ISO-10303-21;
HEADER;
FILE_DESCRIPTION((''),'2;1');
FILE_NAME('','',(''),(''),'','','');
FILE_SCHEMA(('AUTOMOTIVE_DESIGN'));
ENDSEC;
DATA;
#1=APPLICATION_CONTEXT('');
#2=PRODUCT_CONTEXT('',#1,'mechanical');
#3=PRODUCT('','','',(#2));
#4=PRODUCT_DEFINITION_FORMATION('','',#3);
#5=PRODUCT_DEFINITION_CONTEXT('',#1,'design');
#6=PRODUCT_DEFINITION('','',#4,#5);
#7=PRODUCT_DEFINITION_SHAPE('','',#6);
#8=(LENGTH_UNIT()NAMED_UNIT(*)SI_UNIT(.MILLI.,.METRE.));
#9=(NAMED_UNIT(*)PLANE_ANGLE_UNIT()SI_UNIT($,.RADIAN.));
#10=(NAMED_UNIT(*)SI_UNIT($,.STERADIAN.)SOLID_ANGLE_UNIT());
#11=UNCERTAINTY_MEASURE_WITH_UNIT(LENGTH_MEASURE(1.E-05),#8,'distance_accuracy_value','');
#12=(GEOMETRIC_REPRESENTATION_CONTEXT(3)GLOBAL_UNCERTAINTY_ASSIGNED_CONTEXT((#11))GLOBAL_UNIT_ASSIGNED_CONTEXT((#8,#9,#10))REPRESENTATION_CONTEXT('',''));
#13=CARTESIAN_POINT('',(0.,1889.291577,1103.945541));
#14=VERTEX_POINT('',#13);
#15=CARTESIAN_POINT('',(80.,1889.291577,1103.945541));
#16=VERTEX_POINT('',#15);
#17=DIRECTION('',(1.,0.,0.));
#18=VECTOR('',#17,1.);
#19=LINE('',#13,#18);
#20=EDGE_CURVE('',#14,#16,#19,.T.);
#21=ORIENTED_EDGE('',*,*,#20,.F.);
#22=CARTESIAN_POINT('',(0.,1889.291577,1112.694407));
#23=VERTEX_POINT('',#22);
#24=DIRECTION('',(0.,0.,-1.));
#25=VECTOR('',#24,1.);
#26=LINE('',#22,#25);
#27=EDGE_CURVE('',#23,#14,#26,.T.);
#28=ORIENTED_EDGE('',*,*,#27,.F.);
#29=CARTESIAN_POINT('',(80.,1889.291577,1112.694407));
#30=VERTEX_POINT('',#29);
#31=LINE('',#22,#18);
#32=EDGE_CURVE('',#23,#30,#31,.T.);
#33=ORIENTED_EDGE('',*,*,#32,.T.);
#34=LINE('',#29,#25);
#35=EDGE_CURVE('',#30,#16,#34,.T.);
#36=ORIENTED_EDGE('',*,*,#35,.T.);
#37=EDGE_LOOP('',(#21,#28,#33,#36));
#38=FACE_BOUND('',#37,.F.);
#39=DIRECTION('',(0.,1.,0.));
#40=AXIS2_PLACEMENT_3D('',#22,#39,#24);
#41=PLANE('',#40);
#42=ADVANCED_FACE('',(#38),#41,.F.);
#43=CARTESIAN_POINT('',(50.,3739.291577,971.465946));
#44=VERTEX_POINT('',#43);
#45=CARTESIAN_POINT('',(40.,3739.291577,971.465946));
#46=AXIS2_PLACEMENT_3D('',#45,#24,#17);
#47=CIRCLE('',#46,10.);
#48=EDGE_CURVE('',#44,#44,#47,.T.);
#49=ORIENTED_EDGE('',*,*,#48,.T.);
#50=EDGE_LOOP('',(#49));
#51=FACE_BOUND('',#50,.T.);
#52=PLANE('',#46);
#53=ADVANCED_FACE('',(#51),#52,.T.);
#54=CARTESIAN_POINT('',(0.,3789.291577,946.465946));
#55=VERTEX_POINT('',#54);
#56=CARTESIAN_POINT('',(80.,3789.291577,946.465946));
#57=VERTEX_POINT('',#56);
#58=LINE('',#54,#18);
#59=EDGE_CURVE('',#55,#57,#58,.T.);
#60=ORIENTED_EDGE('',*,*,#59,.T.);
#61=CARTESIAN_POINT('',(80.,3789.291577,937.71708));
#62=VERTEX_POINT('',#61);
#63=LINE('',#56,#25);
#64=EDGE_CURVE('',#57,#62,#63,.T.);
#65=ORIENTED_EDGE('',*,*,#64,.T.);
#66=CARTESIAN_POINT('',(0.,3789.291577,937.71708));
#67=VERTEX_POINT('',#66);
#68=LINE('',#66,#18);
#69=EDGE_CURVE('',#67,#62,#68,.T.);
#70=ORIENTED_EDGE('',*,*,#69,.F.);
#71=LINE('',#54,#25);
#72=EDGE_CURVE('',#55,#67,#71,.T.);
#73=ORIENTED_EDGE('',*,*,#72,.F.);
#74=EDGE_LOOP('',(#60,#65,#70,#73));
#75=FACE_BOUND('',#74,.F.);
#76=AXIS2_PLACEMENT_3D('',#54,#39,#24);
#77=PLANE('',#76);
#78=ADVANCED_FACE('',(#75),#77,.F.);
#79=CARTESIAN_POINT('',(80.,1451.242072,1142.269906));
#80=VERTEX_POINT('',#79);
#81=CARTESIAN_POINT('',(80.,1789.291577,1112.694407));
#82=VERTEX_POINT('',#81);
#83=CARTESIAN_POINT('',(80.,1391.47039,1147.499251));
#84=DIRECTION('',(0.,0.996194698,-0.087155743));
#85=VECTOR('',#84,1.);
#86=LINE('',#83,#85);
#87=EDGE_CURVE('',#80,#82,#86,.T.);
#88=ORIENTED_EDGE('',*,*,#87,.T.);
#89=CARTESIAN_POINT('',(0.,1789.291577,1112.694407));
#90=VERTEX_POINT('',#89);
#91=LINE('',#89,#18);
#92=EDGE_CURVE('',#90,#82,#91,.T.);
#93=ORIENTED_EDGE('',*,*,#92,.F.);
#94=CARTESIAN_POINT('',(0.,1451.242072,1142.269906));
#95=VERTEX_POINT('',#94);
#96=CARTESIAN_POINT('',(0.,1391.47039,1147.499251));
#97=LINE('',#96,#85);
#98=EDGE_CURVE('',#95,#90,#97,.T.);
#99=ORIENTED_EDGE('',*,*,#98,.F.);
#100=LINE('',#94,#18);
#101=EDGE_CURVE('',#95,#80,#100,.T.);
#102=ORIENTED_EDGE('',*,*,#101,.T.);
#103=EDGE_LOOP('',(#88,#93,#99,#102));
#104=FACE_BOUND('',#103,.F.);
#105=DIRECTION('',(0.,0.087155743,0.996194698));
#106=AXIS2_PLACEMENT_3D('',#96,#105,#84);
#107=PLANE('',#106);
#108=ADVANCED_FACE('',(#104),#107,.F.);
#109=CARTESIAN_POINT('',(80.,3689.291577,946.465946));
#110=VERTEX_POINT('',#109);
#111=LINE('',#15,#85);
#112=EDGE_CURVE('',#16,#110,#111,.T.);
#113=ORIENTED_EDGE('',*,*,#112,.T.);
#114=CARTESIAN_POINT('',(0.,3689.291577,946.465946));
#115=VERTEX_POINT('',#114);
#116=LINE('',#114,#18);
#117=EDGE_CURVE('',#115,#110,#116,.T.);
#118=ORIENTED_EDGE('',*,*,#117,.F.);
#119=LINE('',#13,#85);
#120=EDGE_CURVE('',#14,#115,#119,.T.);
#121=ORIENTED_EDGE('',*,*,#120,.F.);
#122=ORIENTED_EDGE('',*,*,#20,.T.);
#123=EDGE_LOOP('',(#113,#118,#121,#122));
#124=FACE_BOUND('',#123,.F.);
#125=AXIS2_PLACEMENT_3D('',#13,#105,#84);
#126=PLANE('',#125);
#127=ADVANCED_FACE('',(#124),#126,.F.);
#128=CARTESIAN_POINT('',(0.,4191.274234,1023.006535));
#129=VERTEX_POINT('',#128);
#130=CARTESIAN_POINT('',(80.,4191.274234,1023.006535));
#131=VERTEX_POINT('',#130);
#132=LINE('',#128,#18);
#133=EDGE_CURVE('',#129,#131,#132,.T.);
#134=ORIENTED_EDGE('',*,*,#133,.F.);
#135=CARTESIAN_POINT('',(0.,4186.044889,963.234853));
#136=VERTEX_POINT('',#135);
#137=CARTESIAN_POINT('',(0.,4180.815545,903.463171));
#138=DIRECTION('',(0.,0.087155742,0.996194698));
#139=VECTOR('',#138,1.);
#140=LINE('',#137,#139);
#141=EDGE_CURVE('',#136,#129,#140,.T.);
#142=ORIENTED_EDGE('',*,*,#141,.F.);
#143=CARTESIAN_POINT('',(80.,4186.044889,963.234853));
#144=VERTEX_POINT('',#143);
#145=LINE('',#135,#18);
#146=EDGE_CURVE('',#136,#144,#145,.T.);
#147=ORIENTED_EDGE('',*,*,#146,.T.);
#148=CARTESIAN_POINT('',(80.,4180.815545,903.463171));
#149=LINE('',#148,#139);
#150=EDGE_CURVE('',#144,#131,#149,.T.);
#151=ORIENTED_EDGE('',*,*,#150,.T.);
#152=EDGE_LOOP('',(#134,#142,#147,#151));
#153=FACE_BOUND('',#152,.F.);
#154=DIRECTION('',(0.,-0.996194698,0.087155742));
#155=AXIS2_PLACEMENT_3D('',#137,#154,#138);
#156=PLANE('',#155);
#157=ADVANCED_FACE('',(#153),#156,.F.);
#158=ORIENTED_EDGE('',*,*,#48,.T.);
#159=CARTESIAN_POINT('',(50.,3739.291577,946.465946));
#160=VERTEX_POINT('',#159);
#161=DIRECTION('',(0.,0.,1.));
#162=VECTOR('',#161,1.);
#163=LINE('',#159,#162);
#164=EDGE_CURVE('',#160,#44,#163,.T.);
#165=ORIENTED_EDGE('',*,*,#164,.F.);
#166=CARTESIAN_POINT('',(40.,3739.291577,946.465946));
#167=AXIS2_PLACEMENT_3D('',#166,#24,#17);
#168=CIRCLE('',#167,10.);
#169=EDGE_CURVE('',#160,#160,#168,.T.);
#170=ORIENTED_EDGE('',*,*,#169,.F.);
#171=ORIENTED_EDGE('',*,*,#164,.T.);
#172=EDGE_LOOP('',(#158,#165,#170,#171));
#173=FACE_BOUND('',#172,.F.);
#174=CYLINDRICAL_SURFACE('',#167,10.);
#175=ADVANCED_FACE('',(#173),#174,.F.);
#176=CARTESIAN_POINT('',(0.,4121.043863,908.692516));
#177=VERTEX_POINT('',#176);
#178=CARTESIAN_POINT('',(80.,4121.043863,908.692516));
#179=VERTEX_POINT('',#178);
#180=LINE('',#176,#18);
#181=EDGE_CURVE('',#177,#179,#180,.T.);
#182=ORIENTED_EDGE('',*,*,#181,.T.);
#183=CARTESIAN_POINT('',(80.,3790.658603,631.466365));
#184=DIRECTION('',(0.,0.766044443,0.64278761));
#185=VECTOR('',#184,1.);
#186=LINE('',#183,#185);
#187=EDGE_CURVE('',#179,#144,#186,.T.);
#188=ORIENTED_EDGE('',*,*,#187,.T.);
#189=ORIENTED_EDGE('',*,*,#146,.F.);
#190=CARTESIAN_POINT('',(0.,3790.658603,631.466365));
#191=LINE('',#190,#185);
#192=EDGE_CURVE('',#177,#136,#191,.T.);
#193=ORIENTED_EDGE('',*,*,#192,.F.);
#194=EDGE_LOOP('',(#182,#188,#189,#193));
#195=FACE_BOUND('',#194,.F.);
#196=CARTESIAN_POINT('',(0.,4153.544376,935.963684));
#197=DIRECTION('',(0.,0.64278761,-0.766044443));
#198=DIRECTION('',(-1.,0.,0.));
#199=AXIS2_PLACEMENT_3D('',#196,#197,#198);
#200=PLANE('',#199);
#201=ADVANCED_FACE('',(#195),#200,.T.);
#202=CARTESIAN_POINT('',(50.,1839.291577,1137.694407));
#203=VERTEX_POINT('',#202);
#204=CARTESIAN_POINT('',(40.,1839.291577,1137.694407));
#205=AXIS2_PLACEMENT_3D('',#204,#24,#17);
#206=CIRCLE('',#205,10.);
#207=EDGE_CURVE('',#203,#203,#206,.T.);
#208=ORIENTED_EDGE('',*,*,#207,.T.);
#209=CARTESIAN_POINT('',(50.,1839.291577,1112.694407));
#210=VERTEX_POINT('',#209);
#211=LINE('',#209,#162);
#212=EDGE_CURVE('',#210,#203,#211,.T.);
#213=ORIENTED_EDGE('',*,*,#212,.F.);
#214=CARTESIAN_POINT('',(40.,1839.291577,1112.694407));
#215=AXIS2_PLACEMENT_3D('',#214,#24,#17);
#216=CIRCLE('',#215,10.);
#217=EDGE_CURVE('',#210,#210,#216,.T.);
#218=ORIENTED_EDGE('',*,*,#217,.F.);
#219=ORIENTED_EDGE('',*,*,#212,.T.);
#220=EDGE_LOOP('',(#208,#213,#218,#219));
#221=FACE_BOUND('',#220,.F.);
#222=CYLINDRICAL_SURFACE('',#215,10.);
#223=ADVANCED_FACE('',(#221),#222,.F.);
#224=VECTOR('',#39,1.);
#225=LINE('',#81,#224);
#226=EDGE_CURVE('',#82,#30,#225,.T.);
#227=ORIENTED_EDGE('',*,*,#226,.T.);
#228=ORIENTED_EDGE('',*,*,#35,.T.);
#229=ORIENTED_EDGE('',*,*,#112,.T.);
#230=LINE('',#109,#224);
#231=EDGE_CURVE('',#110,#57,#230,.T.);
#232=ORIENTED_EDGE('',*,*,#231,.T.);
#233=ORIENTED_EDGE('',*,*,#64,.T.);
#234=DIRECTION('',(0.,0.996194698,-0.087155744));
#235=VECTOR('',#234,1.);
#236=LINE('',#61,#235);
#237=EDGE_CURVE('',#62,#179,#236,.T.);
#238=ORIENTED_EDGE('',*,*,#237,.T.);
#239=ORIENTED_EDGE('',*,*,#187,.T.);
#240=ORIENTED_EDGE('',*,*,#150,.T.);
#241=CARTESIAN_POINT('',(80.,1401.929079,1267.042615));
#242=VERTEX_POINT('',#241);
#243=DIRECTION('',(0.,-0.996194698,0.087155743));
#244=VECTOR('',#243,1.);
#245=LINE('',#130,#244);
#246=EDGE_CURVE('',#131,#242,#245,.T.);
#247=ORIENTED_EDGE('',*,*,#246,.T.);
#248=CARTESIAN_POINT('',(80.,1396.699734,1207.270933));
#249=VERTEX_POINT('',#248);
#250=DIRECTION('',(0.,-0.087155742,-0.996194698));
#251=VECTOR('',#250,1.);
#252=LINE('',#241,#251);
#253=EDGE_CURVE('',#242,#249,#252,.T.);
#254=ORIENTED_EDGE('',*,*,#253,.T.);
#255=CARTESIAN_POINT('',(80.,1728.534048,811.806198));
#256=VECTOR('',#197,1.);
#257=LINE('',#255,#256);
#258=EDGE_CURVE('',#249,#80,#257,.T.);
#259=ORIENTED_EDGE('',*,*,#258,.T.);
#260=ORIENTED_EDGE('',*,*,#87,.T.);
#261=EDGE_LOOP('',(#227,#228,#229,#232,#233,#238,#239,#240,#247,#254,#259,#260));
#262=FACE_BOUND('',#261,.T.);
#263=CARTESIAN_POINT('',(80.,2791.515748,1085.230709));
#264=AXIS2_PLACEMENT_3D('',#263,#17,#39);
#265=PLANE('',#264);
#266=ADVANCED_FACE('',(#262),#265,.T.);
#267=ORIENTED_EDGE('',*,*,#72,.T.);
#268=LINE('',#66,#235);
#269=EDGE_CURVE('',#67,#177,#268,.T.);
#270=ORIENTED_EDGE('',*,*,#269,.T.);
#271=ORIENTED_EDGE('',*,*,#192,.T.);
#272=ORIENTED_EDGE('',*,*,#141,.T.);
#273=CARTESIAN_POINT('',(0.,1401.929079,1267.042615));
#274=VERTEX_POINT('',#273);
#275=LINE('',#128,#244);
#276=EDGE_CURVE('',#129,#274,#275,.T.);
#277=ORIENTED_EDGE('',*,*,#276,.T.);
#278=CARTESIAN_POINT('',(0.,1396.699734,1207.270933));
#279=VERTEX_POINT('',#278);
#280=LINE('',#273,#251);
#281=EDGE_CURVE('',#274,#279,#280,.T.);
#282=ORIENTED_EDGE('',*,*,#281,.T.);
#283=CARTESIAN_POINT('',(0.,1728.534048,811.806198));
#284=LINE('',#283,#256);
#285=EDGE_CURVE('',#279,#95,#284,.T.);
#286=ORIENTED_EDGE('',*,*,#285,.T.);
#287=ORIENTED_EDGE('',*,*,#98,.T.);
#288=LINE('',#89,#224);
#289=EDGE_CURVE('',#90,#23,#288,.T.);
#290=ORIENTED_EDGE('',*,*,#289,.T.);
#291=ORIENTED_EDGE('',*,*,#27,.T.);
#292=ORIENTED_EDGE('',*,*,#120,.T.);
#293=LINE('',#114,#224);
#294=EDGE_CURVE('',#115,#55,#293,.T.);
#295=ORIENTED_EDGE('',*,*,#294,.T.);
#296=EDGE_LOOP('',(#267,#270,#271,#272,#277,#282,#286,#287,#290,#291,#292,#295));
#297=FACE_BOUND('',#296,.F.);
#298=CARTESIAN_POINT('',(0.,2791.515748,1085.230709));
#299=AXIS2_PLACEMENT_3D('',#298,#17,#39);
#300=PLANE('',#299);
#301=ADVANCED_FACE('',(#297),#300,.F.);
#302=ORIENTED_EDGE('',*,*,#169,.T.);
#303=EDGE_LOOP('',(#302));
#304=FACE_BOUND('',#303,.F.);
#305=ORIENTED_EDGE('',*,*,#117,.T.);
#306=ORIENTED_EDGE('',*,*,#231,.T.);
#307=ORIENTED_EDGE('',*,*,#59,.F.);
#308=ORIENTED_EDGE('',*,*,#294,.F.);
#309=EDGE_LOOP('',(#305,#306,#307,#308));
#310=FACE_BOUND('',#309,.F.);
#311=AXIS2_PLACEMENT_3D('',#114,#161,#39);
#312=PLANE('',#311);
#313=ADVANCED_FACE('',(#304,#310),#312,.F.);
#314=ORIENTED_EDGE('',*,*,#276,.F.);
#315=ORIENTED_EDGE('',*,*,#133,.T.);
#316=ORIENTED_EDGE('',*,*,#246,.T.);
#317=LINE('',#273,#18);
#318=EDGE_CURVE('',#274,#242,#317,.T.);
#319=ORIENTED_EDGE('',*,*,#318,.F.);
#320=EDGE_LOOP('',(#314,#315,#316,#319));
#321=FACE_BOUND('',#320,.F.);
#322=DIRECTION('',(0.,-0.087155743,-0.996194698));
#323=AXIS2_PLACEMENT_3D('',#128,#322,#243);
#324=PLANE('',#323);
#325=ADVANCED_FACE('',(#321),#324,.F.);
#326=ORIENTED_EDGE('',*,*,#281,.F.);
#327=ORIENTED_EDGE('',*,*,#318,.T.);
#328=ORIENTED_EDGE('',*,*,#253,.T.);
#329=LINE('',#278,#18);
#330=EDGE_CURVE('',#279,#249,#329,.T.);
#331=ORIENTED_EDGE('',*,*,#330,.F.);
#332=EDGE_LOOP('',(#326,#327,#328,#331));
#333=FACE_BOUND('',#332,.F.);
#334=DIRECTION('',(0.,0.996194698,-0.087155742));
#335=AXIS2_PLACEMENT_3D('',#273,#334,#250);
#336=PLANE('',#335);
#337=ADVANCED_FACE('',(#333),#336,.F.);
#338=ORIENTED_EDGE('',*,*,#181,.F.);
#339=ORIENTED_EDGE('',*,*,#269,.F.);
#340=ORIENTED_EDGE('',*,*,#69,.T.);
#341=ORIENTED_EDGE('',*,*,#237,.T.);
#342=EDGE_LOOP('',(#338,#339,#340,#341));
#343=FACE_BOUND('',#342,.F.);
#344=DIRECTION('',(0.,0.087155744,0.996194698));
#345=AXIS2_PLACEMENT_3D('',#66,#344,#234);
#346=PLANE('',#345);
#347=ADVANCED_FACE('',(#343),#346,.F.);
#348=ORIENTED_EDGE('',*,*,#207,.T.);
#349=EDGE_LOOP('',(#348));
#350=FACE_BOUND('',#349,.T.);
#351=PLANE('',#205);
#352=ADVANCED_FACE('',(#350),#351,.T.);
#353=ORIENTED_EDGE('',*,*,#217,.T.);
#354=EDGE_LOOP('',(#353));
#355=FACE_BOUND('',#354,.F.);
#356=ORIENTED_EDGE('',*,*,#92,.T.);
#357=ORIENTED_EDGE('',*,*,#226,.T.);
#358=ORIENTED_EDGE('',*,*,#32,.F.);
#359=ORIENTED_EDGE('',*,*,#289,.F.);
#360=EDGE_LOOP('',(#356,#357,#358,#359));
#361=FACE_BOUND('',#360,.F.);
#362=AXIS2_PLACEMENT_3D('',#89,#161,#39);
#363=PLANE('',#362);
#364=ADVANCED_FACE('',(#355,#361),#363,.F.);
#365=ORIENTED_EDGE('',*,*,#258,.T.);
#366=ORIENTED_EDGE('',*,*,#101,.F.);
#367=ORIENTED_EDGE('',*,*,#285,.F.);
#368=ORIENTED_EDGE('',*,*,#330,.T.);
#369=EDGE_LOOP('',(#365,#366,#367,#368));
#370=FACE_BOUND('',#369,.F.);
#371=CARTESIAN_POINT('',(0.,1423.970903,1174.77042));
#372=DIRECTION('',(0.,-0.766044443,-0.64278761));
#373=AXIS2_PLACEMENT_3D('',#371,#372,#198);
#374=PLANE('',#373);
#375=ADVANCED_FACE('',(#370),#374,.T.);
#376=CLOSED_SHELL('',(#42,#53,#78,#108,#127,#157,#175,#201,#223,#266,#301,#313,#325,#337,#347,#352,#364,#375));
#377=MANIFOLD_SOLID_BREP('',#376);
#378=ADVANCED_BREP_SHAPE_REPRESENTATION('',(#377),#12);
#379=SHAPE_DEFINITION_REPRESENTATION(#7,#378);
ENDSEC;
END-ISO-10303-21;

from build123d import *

# Parameters (mm, degrees)
F1_DEPTH = 80
F2_SIZE  = 60
F3_R     = 10
F4_R     = 10
F5_DEPTH = 25


with BuildPart() as f1:
    # F0 (on Right) → F1 (new body)
    with BuildSketch(Plane.YZ):
        Polygon((4191.274234, 1023.006535), (1401.929079, 1267.042615), (1391.47039, 1147.499251), (1789.291577, 1112.694407), (1889.291577, 1112.694407), (1889.291577, 1103.945541), (3689.291577, 946.465946), (3789.291577, 946.465946), (3789.291577, 937.71708), (4180.815545, 903.463171), align=None)
    extrude(amount=F1_DEPTH)

    # F2
    f2_edges = [f1.edges().sort_by_distance(p)[0] for p in [
        (40, 1391.47039, 1147.499251),
        (40, 4180.815545, 903.463171),
    ]]
    chamfer(f2_edges, length=F2_SIZE)

    # F3 (on face) + F4 (on face) → F5 (cut)
    with BuildSketch(Plane(origin=(0, 0, 1112.694407), x_dir=(1, 0, 0), z_dir=(0, 0, -1))):
        with Locations((40, -1839.291577)):
            Circle(F3_R)
    with BuildSketch(Plane(origin=(0, 0, 946.465946), x_dir=(1, 0, 0), z_dir=(0, 0, -1))):
        with Locations((40, -3739.291577)):
            Circle(F4_R)
    extrude(amount=-F5_DEPTH, mode=Mode.SUBTRACT)


solid = f1.part
